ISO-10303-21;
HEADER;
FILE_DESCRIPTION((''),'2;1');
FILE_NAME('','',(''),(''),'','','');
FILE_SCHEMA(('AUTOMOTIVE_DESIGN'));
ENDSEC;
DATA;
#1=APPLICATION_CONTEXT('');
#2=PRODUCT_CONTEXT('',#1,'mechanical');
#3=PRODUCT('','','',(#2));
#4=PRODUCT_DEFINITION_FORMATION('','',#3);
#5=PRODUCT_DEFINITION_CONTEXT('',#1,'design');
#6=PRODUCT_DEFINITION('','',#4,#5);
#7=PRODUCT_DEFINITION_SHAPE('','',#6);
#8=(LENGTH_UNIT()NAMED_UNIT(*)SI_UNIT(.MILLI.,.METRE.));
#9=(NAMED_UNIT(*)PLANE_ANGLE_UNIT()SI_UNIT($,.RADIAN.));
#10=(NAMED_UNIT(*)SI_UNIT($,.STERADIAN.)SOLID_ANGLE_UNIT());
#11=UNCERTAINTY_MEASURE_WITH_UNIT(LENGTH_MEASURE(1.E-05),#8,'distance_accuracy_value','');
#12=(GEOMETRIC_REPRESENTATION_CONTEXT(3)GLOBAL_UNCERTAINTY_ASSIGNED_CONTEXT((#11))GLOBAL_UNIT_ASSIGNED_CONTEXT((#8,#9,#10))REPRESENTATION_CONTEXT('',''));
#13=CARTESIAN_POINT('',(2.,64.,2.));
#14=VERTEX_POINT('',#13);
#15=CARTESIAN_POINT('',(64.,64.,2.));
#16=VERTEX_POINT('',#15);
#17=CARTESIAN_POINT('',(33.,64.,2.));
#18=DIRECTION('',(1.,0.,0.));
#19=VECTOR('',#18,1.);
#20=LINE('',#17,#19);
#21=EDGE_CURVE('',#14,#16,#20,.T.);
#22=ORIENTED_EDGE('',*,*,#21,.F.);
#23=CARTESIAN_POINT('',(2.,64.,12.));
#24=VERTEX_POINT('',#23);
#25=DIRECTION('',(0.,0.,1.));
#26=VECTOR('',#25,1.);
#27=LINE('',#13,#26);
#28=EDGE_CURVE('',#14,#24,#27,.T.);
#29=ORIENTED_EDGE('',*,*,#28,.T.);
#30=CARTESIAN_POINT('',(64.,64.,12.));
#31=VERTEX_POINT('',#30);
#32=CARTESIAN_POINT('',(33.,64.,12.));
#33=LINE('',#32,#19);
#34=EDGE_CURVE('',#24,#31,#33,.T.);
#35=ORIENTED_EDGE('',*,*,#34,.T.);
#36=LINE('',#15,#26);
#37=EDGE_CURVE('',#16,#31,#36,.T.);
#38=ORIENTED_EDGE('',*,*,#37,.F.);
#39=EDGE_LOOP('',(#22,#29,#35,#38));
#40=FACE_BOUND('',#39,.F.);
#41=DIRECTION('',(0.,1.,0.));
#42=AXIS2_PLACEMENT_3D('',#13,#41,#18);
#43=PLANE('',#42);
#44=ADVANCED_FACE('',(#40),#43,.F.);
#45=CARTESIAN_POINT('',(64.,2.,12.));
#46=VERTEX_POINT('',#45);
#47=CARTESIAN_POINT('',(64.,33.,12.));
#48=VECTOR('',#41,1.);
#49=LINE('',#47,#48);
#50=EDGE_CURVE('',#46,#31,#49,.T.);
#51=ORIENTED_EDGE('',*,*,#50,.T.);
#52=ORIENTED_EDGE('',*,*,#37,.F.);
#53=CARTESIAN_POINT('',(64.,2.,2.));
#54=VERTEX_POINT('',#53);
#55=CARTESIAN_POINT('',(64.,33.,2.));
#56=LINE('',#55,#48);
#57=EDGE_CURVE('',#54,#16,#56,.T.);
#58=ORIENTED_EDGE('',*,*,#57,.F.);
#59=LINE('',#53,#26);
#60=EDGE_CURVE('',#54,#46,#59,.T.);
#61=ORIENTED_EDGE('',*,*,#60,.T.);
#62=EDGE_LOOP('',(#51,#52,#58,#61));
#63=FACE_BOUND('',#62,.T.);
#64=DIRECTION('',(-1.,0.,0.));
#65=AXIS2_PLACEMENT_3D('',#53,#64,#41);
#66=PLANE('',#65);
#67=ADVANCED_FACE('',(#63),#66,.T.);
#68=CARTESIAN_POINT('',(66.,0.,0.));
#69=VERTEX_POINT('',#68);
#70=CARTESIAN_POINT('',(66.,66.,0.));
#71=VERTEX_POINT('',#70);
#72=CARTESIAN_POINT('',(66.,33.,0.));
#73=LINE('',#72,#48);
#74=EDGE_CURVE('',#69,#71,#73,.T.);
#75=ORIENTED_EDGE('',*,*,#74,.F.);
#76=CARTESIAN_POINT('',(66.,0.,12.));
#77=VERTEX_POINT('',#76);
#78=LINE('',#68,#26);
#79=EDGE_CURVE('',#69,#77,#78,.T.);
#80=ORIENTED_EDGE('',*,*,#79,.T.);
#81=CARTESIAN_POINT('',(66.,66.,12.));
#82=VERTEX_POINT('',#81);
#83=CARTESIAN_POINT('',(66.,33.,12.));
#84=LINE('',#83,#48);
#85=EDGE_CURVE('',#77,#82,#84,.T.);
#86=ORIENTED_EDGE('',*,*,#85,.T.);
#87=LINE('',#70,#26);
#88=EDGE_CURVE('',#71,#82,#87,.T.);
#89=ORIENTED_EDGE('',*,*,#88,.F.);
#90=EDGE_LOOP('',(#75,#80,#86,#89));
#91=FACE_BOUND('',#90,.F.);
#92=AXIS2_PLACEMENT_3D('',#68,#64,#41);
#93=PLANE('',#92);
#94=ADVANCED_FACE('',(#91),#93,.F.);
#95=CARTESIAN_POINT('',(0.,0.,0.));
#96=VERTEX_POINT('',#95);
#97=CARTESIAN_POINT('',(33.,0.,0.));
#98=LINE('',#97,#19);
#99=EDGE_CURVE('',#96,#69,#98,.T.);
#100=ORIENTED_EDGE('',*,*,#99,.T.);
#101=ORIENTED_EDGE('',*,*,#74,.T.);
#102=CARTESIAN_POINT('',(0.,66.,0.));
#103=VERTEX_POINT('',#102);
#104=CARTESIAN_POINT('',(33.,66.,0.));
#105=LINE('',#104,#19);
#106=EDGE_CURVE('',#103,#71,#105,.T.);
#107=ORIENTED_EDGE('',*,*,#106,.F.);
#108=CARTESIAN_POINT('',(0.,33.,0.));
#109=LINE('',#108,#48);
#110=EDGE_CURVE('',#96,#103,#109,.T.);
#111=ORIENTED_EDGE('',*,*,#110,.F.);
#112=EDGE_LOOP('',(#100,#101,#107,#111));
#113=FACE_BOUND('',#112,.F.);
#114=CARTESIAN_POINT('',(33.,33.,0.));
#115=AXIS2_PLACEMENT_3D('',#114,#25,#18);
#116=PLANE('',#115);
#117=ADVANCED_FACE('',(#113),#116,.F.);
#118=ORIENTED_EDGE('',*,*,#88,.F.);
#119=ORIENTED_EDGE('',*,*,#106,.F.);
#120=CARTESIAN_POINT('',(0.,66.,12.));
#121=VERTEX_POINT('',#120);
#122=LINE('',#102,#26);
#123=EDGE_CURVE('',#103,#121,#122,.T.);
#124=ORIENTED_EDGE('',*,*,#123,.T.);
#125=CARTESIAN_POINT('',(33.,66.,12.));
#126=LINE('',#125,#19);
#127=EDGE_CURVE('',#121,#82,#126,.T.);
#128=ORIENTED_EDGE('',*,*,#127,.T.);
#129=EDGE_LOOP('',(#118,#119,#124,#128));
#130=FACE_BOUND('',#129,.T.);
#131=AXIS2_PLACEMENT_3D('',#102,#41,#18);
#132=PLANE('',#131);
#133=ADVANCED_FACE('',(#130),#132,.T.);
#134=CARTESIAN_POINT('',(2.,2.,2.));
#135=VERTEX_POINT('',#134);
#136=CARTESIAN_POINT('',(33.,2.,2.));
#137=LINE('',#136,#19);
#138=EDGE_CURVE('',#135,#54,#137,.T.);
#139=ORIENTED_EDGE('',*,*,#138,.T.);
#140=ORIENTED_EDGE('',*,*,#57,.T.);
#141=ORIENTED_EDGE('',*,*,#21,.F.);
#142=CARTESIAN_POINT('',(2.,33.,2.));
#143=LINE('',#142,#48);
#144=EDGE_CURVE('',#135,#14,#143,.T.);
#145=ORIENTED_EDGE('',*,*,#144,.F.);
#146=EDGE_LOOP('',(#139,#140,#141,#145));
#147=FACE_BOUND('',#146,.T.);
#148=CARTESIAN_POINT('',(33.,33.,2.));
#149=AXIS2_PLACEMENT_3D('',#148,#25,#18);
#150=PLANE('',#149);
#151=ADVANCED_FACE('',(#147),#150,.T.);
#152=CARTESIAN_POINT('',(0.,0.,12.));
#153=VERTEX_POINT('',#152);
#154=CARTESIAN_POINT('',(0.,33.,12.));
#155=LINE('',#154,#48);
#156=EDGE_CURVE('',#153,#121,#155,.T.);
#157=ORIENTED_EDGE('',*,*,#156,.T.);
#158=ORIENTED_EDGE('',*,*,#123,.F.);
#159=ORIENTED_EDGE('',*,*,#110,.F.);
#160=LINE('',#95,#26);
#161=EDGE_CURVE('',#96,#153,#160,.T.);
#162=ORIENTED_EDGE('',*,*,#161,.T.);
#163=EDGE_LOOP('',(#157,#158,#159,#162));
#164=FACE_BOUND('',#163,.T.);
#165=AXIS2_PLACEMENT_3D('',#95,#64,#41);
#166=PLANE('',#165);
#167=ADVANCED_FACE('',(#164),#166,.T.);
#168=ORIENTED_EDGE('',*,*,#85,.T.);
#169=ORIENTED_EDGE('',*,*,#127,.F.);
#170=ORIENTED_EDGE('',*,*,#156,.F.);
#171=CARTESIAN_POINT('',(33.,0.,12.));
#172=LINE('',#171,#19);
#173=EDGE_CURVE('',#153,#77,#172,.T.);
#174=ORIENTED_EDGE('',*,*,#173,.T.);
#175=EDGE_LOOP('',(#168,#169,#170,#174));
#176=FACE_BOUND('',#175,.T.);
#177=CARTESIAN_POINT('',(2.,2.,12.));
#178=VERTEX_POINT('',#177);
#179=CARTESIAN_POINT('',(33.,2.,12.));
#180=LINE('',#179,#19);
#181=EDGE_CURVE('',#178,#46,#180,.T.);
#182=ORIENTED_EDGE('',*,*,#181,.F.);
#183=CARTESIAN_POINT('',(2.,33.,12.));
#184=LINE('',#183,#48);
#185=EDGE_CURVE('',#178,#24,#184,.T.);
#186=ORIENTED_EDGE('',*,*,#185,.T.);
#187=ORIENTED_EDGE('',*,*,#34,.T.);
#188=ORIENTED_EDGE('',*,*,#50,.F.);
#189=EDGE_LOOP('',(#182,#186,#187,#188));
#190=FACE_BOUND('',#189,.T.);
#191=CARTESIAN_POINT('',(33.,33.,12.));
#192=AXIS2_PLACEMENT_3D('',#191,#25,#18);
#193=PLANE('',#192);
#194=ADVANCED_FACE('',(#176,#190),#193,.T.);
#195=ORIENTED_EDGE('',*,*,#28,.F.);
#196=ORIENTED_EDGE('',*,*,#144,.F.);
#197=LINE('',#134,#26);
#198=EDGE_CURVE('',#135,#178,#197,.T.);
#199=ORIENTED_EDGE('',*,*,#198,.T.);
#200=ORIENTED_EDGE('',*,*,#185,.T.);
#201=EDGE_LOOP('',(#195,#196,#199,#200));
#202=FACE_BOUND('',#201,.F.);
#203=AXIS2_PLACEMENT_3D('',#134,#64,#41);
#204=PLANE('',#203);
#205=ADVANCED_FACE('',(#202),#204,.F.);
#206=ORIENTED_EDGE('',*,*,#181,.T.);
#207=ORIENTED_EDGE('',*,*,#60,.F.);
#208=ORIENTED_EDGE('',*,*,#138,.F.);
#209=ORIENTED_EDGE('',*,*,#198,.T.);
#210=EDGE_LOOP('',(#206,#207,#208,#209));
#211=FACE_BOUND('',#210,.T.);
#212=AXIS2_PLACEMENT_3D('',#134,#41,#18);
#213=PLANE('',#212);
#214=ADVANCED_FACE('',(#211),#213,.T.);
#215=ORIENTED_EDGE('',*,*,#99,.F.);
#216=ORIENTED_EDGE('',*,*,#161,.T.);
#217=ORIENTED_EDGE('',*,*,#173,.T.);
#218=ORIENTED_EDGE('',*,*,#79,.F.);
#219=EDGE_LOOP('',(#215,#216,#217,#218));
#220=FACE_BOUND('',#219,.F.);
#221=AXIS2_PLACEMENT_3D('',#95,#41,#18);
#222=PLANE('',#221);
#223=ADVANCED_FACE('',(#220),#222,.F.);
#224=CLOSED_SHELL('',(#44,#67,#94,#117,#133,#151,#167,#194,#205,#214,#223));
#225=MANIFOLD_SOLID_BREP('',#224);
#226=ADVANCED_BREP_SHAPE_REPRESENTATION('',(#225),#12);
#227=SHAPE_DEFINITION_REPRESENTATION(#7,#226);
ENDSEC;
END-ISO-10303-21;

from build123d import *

# Parameters (mm, degrees)
BOX024_W     = 62
BOX024_H     = 62
BOX024_DEPTH = 10
BOX023_W     = 66
BOX023_H     = 66
BOX023_DEPTH = 12


with BuildPart() as cube024:
    # Box024 → Box024 (new body)
    with BuildSketch(Plane(origin=(2, 2, 2), x_dir=(1, 0, 0), z_dir=(0, 0, 1))):
        with Locations((31, 31)):
            Rectangle(BOX024_W, BOX024_H)
    extrude(amount=BOX024_DEPTH)


with BuildPart() as cut016006:
    # Box023 → Box023 (new body)
    with BuildSketch(Plane.XY):
        with Locations((33, 33)):
            Rectangle(BOX023_W, BOX023_H)
    extrude(amount=BOX023_DEPTH)

    # Cut016006: cut Cube024
    add(cube024.part, mode=Mode.SUBTRACT)


solid = cut016006.part
